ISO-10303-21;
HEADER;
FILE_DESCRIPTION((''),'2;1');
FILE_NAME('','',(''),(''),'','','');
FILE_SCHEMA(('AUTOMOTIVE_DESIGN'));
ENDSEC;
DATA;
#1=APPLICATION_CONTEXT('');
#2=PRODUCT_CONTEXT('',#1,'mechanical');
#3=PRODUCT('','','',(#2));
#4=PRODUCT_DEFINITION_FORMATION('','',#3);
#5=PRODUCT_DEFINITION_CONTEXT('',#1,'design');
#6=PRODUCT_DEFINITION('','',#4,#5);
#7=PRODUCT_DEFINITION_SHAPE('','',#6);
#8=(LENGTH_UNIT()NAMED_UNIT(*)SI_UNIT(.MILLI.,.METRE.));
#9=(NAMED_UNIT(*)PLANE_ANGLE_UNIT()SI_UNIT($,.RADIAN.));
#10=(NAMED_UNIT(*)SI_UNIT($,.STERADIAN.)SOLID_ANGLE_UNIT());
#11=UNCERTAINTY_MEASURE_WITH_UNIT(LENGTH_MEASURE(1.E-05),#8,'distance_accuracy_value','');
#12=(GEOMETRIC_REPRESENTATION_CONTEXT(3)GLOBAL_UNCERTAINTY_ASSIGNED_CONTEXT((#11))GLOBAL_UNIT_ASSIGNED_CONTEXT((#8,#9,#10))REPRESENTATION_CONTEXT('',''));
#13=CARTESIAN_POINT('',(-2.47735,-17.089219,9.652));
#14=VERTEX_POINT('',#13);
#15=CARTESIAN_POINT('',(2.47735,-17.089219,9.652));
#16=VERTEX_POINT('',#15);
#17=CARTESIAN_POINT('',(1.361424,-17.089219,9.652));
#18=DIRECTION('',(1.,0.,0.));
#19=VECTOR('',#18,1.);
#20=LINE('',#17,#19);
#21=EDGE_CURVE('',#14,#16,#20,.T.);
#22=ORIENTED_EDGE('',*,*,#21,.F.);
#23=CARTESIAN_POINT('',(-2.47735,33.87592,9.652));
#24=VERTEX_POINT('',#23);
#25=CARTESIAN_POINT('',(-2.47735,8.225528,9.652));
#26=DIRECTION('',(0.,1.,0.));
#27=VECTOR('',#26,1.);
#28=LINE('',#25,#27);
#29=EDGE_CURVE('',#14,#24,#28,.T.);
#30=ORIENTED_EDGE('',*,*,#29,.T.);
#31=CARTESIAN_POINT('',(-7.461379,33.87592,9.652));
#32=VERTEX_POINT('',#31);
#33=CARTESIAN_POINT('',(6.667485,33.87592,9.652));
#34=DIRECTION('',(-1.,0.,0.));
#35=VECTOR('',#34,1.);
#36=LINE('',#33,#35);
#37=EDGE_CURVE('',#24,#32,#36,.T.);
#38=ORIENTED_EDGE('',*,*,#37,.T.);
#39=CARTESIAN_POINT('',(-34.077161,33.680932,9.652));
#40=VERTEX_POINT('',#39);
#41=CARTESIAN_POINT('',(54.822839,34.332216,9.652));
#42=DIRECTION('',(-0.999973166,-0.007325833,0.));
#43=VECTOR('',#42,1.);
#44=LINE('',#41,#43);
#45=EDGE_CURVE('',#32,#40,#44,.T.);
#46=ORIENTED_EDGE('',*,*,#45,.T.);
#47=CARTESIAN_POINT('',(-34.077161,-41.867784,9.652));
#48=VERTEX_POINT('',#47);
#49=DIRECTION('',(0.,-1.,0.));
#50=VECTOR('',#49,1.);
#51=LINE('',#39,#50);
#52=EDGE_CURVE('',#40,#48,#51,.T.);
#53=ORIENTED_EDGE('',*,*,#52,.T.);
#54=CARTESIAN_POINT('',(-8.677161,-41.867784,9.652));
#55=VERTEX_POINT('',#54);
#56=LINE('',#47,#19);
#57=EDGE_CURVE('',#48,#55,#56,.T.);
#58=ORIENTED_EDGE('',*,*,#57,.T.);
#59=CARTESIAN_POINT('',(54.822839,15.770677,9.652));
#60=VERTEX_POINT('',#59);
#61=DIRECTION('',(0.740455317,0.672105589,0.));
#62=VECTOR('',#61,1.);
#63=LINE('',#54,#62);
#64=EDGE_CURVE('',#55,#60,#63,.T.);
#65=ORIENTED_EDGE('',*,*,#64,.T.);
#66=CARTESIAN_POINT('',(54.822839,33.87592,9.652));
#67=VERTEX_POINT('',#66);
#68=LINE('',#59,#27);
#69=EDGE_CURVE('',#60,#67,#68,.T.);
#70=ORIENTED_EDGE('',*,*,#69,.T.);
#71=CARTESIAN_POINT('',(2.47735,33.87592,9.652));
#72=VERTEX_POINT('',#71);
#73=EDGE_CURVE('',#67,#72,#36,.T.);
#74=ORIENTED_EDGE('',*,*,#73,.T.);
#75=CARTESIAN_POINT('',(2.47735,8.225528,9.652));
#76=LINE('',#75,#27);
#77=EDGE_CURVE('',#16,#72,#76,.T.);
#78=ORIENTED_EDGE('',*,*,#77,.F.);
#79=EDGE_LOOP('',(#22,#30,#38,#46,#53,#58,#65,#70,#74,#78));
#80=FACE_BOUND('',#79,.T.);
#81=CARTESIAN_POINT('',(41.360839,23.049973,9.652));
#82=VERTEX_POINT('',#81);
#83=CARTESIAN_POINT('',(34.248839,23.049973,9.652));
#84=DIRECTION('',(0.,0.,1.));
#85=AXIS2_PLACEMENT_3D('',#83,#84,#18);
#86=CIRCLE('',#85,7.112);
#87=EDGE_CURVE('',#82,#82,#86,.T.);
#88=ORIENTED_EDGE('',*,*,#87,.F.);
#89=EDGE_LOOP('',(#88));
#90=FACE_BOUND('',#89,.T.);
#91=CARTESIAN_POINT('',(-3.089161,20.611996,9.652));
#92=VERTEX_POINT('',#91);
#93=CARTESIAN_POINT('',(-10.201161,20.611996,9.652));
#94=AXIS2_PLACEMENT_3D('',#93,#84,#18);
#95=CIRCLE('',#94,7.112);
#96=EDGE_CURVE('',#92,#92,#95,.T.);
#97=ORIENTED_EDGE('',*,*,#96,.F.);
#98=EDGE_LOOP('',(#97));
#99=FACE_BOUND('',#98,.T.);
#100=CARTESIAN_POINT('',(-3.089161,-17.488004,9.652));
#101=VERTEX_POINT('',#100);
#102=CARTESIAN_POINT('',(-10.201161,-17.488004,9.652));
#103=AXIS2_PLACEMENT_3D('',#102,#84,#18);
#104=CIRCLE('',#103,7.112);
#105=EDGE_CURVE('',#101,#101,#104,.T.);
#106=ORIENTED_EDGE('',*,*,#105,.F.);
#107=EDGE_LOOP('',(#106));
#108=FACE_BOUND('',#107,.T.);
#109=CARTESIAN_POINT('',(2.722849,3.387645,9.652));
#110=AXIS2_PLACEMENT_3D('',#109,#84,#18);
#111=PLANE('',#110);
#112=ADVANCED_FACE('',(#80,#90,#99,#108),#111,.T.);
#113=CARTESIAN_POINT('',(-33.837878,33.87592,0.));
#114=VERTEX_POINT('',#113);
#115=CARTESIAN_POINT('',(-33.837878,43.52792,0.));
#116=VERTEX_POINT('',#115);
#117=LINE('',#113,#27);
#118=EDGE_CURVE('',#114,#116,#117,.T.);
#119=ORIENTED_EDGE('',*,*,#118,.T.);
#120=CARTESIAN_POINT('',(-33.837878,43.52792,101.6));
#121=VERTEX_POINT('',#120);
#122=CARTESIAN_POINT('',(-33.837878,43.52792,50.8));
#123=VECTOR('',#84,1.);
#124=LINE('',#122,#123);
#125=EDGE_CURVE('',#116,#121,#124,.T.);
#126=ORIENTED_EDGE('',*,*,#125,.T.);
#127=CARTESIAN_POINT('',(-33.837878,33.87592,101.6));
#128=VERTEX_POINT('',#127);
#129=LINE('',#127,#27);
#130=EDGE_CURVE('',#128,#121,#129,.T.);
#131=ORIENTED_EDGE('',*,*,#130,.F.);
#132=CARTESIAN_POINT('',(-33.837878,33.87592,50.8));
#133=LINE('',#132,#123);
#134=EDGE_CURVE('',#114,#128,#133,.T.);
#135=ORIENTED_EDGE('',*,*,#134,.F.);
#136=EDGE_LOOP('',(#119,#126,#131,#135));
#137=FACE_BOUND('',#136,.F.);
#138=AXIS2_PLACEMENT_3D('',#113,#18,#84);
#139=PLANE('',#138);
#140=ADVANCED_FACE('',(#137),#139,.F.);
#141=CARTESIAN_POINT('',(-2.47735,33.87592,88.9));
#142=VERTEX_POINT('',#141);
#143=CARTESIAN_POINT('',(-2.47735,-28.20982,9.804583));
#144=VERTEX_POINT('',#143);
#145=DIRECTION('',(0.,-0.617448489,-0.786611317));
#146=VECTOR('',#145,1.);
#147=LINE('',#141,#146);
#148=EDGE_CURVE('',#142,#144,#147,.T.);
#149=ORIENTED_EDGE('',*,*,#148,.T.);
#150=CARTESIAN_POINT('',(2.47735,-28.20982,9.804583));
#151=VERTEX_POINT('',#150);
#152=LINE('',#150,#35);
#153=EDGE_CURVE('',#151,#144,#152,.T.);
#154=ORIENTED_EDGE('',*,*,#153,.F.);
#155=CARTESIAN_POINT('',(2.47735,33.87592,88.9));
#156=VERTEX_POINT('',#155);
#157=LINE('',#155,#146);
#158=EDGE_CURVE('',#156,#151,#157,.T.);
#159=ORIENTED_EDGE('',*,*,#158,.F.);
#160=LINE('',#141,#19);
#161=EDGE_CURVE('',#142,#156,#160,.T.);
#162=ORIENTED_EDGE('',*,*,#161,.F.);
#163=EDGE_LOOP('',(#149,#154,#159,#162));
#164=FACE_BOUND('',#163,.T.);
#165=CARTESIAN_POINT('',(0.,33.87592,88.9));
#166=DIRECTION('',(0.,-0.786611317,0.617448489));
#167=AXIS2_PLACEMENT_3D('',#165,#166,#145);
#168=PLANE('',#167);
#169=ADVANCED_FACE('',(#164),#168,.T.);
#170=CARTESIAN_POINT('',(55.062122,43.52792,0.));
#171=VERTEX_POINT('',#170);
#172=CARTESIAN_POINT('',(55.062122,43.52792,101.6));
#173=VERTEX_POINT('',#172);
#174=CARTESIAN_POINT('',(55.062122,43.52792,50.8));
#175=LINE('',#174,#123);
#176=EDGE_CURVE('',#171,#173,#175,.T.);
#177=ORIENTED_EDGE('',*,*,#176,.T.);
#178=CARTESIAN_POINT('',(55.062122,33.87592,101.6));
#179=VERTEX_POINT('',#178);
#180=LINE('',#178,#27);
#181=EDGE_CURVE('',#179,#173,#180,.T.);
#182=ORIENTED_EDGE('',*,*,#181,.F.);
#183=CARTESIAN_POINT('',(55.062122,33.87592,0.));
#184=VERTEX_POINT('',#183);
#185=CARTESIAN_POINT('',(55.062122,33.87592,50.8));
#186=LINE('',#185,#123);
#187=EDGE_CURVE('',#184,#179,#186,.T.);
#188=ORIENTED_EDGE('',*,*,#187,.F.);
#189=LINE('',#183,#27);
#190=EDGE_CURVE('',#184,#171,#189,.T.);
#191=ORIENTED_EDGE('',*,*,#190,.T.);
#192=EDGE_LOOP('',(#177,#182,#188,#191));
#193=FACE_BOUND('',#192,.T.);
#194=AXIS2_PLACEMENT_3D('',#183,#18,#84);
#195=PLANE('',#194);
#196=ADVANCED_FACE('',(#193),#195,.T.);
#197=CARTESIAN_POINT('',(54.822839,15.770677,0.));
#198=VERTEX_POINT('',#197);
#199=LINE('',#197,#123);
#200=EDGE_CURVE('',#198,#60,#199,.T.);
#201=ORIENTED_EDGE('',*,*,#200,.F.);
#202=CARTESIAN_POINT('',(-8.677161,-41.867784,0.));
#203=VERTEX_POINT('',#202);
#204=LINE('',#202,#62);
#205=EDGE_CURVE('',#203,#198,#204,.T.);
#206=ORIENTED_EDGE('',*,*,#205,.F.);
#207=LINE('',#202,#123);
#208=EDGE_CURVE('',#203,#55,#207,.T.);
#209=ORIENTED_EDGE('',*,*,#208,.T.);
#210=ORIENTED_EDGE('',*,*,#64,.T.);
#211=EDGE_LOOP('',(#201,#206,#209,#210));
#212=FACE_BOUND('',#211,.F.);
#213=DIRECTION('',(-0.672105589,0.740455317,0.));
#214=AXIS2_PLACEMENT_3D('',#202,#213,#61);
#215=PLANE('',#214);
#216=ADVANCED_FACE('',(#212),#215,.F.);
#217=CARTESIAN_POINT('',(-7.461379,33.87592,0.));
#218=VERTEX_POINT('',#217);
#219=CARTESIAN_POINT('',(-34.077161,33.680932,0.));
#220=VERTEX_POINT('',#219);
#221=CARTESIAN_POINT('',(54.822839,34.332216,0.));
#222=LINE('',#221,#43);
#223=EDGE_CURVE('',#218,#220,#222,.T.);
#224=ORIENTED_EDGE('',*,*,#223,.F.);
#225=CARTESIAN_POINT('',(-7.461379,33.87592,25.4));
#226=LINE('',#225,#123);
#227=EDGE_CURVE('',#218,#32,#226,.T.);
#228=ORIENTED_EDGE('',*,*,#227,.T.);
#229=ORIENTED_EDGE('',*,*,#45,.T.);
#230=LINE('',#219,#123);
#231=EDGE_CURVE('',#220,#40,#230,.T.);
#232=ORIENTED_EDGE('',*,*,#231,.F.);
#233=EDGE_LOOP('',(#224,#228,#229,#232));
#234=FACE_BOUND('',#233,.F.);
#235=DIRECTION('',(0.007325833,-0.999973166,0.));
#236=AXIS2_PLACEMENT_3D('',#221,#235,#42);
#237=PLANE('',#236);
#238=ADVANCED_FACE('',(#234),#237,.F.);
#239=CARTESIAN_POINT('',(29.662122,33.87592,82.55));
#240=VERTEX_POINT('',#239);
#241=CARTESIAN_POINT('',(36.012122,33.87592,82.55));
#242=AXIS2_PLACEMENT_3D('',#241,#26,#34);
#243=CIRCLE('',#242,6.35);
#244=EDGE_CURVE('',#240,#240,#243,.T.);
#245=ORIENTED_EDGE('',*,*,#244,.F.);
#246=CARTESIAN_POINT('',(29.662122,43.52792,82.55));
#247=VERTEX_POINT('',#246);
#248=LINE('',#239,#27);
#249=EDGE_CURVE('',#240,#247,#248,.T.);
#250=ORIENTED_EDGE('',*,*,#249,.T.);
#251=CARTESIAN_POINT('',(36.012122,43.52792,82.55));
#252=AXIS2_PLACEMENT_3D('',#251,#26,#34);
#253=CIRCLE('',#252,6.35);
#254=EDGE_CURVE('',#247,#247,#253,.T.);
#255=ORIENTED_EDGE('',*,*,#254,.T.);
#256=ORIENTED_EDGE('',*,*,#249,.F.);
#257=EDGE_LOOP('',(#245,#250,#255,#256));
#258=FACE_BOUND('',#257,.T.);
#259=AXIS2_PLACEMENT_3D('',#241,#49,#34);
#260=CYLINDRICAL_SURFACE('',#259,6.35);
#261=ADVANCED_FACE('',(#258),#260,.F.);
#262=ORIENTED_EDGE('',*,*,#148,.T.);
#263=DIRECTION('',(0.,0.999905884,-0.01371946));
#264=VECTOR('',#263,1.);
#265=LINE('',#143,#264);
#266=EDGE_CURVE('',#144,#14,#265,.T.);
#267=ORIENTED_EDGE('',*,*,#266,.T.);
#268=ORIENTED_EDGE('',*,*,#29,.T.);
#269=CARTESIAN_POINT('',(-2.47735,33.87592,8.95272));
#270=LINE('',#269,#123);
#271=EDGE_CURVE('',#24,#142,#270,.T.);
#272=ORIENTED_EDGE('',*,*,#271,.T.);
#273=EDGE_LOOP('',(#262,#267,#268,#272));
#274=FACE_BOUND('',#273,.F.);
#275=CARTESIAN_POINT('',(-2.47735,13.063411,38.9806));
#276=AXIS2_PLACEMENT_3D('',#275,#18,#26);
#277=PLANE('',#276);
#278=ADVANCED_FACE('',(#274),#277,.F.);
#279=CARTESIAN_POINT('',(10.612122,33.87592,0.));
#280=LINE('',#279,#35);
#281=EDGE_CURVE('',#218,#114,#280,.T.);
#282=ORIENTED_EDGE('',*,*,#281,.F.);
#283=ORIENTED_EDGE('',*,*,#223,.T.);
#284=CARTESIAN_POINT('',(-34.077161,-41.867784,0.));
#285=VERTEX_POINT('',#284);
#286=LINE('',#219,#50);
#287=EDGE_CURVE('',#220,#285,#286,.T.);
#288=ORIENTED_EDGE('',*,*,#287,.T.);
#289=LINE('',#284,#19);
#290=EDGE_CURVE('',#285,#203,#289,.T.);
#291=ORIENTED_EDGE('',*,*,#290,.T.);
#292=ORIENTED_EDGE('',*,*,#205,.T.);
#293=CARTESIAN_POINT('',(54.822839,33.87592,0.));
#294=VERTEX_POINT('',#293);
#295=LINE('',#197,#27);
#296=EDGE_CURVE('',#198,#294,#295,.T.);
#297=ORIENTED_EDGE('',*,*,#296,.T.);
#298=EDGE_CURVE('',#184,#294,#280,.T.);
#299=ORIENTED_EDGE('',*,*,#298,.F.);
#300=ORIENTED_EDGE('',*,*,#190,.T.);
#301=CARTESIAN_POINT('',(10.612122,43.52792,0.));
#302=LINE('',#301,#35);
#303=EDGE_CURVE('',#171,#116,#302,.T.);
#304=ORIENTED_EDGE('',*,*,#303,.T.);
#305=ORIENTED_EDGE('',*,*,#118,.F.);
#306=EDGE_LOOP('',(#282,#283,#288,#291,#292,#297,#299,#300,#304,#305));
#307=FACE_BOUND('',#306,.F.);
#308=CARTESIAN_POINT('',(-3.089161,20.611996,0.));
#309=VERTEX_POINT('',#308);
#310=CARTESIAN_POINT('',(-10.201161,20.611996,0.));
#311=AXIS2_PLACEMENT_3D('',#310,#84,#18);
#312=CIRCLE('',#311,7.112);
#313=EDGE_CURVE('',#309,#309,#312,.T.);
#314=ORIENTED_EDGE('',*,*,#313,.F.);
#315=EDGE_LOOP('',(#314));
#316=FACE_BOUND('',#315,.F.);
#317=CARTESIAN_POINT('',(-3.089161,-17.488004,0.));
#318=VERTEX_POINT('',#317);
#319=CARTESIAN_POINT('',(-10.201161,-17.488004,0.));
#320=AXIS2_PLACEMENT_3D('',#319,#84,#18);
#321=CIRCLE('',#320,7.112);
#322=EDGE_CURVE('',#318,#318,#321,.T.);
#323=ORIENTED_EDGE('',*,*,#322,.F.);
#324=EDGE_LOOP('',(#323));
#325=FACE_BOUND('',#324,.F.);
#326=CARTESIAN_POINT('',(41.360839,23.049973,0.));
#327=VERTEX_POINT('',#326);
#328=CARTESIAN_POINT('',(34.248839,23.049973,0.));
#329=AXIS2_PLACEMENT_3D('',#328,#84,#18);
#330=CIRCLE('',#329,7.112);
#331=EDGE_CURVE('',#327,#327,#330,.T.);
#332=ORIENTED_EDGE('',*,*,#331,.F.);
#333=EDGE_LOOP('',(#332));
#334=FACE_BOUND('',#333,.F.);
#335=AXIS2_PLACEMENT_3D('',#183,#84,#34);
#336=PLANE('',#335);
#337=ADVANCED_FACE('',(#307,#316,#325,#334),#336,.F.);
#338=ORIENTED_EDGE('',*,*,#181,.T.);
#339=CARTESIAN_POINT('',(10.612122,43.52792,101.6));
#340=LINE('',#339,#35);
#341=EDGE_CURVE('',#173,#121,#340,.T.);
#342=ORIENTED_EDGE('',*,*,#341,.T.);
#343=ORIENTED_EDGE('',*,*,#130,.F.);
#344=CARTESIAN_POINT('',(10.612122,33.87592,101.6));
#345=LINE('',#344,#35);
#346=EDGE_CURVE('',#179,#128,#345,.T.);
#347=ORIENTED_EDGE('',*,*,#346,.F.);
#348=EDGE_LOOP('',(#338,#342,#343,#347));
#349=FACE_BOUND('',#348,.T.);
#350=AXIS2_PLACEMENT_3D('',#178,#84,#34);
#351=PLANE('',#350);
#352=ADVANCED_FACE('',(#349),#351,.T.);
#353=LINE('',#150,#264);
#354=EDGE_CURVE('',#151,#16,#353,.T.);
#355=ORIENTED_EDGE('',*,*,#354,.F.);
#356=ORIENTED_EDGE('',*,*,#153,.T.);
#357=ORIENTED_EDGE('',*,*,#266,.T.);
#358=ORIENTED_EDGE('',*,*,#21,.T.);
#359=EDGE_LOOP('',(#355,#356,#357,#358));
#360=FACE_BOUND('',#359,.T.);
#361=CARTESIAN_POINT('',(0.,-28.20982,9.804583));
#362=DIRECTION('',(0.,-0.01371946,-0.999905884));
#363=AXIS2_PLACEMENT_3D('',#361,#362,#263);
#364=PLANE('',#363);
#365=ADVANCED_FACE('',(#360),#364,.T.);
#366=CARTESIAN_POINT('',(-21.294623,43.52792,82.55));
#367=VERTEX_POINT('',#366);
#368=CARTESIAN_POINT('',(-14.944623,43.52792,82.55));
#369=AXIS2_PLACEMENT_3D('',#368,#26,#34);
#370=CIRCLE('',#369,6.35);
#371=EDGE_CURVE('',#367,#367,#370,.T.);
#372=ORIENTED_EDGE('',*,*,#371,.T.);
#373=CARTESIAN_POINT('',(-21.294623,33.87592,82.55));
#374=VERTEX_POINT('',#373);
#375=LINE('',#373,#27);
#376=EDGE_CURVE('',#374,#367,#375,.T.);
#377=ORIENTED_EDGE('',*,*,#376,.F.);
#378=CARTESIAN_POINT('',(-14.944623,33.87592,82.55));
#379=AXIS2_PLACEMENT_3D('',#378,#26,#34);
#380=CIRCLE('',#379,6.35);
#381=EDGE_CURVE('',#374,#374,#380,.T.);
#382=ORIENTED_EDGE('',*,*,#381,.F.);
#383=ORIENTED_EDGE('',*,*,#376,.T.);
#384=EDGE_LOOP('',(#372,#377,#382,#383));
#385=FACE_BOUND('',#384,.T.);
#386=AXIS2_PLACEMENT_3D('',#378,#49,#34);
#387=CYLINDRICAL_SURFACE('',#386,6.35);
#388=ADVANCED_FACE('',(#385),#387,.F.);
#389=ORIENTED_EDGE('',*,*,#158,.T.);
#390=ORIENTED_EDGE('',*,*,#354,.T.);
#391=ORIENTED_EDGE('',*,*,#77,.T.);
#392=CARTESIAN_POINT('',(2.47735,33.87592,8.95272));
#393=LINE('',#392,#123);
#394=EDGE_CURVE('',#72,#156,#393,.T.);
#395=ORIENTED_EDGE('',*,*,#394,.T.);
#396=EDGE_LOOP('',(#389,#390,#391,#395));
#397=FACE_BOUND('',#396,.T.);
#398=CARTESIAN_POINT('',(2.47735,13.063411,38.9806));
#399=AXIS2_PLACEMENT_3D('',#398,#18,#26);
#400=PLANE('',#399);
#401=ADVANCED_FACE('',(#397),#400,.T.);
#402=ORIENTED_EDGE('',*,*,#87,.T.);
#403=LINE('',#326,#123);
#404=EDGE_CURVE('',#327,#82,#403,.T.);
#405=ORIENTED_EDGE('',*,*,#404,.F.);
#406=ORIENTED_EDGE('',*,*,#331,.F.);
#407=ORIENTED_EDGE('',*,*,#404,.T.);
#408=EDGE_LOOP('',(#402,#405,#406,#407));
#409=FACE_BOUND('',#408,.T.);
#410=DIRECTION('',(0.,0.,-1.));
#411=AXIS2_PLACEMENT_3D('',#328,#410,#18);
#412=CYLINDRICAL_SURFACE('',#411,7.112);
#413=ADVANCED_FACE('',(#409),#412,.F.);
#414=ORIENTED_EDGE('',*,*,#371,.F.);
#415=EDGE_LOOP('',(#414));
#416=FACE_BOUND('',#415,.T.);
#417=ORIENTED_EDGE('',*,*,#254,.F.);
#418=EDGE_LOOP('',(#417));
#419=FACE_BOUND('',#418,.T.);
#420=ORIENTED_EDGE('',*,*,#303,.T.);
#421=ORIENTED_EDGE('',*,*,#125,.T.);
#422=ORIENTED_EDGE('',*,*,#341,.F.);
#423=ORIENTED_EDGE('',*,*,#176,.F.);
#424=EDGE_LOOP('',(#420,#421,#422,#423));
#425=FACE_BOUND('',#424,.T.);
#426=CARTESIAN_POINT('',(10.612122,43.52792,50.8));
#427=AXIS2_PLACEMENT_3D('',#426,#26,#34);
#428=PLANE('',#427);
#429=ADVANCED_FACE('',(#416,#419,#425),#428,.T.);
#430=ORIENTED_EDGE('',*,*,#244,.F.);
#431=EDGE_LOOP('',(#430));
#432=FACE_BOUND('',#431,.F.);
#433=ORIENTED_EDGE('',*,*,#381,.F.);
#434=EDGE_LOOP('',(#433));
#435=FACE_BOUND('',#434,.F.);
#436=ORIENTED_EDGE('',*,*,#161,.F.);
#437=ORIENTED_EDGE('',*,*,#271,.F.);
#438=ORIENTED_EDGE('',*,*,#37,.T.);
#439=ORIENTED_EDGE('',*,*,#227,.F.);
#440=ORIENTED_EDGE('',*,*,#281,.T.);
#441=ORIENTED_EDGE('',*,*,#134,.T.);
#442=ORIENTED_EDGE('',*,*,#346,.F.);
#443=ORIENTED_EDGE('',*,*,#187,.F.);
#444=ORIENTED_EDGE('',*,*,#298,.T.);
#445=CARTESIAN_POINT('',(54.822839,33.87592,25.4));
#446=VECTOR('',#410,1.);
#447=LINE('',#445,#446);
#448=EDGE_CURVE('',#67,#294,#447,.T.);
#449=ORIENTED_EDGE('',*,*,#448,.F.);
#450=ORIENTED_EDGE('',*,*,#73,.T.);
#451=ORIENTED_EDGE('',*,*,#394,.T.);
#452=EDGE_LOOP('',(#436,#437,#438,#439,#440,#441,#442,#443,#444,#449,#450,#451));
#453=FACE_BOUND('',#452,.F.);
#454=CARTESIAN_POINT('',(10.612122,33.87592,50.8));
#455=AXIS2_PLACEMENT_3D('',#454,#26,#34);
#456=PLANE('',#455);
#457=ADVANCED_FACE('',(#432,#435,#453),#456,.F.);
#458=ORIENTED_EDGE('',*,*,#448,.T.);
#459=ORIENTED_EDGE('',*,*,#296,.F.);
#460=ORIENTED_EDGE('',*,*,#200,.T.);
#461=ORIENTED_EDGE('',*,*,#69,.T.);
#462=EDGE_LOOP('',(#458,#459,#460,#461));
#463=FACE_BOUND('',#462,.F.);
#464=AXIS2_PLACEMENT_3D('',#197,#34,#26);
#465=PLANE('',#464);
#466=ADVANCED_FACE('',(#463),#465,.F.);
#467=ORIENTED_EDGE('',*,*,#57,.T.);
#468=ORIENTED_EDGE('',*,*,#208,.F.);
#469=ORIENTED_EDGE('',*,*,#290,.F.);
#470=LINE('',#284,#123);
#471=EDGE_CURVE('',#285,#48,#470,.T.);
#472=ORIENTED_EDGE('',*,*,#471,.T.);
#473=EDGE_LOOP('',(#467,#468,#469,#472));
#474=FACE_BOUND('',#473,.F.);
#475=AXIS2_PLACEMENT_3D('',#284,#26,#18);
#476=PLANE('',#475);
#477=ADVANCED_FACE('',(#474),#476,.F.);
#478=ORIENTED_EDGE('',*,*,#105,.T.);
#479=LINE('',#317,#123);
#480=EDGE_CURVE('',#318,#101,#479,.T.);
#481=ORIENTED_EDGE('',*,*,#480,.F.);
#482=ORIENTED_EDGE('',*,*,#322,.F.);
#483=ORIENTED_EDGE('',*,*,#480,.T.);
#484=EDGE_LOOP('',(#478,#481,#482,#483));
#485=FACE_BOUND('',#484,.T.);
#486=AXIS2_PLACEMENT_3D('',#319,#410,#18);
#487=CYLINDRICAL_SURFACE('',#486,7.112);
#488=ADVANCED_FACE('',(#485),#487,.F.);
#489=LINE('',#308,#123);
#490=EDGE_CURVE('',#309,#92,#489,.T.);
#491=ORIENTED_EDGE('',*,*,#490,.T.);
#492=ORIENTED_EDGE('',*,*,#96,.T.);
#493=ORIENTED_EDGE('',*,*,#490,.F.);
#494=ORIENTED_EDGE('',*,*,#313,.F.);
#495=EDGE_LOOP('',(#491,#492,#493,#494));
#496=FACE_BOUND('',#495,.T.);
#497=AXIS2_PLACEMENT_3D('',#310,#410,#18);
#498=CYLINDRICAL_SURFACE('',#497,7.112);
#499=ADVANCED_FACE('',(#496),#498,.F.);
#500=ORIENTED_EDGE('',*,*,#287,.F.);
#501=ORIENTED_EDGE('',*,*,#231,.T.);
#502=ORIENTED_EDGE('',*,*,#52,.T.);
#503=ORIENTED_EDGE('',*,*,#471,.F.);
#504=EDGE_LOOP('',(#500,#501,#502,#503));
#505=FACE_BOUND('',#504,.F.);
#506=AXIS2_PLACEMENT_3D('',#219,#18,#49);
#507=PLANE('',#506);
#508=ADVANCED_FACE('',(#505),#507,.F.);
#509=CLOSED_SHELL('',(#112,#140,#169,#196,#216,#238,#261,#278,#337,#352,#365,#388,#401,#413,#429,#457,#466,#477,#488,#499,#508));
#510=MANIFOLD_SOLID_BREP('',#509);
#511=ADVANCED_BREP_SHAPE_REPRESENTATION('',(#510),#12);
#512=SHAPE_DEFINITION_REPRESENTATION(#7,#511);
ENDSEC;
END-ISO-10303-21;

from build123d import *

# Parameters (mm, degrees)
F0_R     = 7.112
F1_DEPTH = 9.652
F3_DEPTH = 2.47735
F4_W     = 88.9
F4_H     = 101.6
F4_R     = 6.35
F5_DEPTH = 9.652


with BuildPart() as f1:
    # F0 (on Top) → F1 (new body)
    with BuildSketch(Plane.XY):
        Polygon((54.822839, 34.332216), (-34.077161, 33.680932), (-34.077161, -41.867784), (-8.677161, -41.867784), (54.822839, 15.770677), align=None)
        with Locations((-10.201161, -17.488004)):
            Circle(F0_R, mode=Mode.SUBTRACT)
        with Locations((-10.201161, 20.611996)):
            Circle(F0_R, mode=Mode.SUBTRACT)
        with Locations((34.248839, 23.049973)):
            Circle(F0_R, mode=Mode.SUBTRACT)
    extrude(amount=F1_DEPTH)

    # F2 (on Right) → F3 (join, symmetric)
    with BuildSketch(Plane.YZ):
        Polygon((33.87592, 8.95272), (33.87592, 88.9), (-28.20982, 9.804583), align=None)
    extrude(amount=F3_DEPTH, both=True)

    # F4 (on face) → F5 (join)
    with BuildSketch(Plane(origin=(0, 33.87592, 0), x_dir=(-1, 0, 0), z_dir=(0, 1, 0))):
        with Locations((-10.612122, 50.8)):
            Rectangle(F4_W, F4_H)
        with Locations((-36.012122, 82.55)):
            Circle(F4_R, mode=Mode.SUBTRACT)
        with Locations((14.944623, 82.55)):
            Circle(F4_R, mode=Mode.SUBTRACT)
    extrude(amount=F5_DEPTH)


solid = f1.part
